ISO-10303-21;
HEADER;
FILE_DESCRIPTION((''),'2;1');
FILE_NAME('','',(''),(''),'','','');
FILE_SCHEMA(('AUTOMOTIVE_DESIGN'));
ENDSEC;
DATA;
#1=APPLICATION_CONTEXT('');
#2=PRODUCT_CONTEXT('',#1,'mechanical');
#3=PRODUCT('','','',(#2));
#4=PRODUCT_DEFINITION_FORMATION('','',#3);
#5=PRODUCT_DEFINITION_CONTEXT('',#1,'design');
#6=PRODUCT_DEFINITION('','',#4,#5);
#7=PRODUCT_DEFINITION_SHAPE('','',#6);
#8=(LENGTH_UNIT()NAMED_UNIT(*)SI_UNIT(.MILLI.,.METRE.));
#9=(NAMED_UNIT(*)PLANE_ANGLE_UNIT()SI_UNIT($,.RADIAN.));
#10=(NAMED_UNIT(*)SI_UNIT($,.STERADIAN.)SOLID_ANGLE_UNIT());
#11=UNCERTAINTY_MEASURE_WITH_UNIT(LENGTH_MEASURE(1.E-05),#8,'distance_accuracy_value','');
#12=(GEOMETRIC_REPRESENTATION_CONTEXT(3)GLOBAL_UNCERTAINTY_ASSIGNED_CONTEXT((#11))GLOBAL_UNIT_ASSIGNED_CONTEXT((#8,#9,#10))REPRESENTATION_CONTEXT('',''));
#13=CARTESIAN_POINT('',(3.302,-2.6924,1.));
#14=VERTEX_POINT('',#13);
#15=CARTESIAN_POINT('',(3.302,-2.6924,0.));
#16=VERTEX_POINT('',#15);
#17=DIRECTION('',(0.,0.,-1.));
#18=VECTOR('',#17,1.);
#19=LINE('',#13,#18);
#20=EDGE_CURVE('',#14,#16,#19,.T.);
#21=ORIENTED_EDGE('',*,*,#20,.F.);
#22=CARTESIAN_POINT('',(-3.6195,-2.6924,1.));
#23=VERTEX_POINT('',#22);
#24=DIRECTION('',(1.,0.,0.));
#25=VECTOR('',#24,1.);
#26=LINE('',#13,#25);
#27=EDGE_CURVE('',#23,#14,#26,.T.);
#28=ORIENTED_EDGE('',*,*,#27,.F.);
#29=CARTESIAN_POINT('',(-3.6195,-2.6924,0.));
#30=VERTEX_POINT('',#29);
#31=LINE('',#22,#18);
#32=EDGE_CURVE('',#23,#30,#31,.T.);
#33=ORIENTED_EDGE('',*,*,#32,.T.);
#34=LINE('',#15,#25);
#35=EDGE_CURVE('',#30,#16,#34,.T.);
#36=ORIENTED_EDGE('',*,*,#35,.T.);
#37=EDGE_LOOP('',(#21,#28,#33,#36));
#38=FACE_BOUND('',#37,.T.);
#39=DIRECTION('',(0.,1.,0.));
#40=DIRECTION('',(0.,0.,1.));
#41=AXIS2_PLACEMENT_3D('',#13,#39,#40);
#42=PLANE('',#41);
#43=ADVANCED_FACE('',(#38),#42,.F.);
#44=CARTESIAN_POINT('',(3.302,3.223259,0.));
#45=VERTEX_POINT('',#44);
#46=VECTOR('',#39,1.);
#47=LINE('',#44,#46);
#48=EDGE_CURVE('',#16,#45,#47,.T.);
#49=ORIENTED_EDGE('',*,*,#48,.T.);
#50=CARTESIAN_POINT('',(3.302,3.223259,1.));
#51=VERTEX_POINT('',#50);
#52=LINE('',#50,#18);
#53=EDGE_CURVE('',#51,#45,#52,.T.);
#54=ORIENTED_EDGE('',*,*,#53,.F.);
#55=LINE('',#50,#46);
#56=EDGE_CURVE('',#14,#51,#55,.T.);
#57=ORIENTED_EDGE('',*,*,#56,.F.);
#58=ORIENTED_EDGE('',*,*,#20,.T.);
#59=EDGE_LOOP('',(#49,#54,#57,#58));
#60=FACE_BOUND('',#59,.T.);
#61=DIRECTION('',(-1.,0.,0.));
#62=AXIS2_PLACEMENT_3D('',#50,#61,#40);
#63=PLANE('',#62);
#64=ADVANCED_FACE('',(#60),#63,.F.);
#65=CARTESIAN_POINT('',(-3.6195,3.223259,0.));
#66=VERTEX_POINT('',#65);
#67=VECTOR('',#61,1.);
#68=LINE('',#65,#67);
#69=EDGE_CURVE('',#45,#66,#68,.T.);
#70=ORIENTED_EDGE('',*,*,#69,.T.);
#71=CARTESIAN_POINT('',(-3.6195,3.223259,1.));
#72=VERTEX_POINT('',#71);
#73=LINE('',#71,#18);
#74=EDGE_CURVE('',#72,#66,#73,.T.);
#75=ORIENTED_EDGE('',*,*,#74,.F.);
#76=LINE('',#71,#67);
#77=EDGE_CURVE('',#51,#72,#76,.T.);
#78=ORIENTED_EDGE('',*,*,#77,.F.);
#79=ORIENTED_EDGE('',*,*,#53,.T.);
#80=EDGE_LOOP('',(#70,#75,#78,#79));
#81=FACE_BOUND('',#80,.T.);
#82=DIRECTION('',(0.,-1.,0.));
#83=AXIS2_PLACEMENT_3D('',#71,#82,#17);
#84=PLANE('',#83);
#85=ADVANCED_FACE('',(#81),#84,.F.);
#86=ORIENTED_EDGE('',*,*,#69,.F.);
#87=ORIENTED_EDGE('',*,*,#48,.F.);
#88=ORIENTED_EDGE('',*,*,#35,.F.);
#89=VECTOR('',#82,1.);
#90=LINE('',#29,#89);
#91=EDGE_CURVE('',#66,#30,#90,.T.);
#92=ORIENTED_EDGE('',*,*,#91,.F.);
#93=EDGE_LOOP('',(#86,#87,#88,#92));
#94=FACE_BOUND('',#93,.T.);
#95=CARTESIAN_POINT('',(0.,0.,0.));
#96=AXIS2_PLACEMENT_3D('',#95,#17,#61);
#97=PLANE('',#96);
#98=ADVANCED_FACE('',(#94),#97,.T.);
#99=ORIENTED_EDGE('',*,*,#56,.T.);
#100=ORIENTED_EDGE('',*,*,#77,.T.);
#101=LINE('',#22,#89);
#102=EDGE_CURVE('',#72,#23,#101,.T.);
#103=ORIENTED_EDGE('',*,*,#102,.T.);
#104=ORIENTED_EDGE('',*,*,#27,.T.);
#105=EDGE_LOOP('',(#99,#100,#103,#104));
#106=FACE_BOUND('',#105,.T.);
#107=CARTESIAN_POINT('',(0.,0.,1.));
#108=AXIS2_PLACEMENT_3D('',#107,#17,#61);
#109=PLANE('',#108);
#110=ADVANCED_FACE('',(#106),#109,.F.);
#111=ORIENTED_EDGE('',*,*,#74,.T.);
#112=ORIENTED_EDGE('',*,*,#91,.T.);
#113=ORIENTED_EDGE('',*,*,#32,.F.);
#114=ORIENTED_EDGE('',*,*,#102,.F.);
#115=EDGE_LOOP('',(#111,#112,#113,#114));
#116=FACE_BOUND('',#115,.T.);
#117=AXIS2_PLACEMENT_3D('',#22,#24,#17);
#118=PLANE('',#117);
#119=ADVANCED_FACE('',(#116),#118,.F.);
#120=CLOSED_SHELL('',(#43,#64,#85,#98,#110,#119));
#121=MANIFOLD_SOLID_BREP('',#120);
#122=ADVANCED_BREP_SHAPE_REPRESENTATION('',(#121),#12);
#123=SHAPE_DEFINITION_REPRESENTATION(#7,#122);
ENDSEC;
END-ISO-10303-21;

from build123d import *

# Parameters (mm, degrees)
SKETCH1_W               = 6.9215
SKETCH1_H               = 5.915659
COMPONENT_OUTLINE_DEPTH = 1


with BuildPart() as part:
    # Sketch1 → Component_Outline (new body)
    with BuildSketch(Plane.XY):
        with Locations((-0.15875, 0.2654295)):
            Rectangle(SKETCH1_W, SKETCH1_H)
    extrude(amount=COMPONENT_OUTLINE_DEPTH)


solid = part.part
